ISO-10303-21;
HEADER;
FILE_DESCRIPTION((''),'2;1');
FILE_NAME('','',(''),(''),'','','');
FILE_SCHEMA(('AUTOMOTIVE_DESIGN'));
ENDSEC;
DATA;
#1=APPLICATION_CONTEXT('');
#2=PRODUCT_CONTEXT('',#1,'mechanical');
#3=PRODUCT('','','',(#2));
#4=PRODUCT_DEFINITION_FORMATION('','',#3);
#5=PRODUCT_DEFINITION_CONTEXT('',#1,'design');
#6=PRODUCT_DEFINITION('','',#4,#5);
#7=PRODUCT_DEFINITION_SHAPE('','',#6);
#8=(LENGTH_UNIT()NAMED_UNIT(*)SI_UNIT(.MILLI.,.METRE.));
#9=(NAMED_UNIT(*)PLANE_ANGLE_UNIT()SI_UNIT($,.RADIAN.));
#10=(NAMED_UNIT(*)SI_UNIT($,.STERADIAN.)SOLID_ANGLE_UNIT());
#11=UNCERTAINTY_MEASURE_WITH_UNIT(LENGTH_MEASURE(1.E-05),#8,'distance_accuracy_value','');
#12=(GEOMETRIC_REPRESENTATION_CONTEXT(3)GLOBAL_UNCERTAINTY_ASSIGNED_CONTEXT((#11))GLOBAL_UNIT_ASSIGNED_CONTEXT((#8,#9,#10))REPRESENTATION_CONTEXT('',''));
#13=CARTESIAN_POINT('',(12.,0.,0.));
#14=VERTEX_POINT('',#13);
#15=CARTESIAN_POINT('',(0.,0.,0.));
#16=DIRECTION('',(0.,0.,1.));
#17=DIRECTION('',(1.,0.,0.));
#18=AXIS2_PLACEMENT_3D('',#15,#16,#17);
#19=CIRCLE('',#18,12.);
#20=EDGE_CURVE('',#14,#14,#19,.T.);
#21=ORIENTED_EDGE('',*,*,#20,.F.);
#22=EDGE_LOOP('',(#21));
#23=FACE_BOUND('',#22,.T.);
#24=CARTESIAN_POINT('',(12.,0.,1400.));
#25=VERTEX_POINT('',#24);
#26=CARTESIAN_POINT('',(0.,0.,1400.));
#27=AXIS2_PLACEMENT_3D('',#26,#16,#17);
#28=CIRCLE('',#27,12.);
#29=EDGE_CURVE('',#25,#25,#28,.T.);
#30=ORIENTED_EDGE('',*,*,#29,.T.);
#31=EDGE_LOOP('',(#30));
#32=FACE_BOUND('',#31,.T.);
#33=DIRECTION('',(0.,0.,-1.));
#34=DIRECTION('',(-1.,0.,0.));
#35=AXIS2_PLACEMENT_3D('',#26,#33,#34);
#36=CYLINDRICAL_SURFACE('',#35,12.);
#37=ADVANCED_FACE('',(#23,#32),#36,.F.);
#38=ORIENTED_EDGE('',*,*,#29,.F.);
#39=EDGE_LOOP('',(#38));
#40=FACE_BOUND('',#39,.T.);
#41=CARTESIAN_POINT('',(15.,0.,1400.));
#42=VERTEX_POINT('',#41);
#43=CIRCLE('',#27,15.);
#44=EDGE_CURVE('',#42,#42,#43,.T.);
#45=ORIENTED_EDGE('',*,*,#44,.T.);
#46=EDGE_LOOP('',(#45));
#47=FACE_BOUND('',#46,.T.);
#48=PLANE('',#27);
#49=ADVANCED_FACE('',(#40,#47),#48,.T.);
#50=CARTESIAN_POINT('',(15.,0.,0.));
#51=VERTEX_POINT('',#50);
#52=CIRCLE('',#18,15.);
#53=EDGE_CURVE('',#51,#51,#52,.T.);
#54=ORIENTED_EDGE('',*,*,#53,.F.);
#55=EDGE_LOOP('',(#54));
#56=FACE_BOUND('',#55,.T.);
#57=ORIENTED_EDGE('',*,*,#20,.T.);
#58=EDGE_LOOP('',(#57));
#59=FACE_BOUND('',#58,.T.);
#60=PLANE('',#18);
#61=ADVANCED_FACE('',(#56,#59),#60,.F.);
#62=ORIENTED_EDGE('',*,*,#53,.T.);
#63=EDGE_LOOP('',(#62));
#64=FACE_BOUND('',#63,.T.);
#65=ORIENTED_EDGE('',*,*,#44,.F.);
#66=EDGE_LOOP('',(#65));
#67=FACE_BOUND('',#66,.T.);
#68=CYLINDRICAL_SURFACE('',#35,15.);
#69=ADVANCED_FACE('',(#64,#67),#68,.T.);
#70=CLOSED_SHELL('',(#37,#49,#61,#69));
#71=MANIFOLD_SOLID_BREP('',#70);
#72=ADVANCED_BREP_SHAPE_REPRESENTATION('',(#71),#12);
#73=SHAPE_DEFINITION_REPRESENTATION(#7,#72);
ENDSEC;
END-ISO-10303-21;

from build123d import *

# Parameters (mm, degrees)
SKETCH1_R           = 15
BOSS_EXTRUDE1_DEPTH = 1400
SKETCH2_R           = 12
CUT_EXTRUDE1_DEPTH  = 1400


with BuildPart() as part:
    # Sketch1 → Boss-Extrude1 (new body)
    with BuildSketch(Plane.XY):
        Circle(SKETCH1_R)
    extrude(amount=BOSS_EXTRUDE1_DEPTH)

    # Sketch2 → Cut-Extrude1 (cut)
    with BuildSketch(Plane.XY):
        Circle(SKETCH2_R)
    extrude(amount=CUT_EXTRUDE1_DEPTH, mode=Mode.SUBTRACT)


solid = part.part
